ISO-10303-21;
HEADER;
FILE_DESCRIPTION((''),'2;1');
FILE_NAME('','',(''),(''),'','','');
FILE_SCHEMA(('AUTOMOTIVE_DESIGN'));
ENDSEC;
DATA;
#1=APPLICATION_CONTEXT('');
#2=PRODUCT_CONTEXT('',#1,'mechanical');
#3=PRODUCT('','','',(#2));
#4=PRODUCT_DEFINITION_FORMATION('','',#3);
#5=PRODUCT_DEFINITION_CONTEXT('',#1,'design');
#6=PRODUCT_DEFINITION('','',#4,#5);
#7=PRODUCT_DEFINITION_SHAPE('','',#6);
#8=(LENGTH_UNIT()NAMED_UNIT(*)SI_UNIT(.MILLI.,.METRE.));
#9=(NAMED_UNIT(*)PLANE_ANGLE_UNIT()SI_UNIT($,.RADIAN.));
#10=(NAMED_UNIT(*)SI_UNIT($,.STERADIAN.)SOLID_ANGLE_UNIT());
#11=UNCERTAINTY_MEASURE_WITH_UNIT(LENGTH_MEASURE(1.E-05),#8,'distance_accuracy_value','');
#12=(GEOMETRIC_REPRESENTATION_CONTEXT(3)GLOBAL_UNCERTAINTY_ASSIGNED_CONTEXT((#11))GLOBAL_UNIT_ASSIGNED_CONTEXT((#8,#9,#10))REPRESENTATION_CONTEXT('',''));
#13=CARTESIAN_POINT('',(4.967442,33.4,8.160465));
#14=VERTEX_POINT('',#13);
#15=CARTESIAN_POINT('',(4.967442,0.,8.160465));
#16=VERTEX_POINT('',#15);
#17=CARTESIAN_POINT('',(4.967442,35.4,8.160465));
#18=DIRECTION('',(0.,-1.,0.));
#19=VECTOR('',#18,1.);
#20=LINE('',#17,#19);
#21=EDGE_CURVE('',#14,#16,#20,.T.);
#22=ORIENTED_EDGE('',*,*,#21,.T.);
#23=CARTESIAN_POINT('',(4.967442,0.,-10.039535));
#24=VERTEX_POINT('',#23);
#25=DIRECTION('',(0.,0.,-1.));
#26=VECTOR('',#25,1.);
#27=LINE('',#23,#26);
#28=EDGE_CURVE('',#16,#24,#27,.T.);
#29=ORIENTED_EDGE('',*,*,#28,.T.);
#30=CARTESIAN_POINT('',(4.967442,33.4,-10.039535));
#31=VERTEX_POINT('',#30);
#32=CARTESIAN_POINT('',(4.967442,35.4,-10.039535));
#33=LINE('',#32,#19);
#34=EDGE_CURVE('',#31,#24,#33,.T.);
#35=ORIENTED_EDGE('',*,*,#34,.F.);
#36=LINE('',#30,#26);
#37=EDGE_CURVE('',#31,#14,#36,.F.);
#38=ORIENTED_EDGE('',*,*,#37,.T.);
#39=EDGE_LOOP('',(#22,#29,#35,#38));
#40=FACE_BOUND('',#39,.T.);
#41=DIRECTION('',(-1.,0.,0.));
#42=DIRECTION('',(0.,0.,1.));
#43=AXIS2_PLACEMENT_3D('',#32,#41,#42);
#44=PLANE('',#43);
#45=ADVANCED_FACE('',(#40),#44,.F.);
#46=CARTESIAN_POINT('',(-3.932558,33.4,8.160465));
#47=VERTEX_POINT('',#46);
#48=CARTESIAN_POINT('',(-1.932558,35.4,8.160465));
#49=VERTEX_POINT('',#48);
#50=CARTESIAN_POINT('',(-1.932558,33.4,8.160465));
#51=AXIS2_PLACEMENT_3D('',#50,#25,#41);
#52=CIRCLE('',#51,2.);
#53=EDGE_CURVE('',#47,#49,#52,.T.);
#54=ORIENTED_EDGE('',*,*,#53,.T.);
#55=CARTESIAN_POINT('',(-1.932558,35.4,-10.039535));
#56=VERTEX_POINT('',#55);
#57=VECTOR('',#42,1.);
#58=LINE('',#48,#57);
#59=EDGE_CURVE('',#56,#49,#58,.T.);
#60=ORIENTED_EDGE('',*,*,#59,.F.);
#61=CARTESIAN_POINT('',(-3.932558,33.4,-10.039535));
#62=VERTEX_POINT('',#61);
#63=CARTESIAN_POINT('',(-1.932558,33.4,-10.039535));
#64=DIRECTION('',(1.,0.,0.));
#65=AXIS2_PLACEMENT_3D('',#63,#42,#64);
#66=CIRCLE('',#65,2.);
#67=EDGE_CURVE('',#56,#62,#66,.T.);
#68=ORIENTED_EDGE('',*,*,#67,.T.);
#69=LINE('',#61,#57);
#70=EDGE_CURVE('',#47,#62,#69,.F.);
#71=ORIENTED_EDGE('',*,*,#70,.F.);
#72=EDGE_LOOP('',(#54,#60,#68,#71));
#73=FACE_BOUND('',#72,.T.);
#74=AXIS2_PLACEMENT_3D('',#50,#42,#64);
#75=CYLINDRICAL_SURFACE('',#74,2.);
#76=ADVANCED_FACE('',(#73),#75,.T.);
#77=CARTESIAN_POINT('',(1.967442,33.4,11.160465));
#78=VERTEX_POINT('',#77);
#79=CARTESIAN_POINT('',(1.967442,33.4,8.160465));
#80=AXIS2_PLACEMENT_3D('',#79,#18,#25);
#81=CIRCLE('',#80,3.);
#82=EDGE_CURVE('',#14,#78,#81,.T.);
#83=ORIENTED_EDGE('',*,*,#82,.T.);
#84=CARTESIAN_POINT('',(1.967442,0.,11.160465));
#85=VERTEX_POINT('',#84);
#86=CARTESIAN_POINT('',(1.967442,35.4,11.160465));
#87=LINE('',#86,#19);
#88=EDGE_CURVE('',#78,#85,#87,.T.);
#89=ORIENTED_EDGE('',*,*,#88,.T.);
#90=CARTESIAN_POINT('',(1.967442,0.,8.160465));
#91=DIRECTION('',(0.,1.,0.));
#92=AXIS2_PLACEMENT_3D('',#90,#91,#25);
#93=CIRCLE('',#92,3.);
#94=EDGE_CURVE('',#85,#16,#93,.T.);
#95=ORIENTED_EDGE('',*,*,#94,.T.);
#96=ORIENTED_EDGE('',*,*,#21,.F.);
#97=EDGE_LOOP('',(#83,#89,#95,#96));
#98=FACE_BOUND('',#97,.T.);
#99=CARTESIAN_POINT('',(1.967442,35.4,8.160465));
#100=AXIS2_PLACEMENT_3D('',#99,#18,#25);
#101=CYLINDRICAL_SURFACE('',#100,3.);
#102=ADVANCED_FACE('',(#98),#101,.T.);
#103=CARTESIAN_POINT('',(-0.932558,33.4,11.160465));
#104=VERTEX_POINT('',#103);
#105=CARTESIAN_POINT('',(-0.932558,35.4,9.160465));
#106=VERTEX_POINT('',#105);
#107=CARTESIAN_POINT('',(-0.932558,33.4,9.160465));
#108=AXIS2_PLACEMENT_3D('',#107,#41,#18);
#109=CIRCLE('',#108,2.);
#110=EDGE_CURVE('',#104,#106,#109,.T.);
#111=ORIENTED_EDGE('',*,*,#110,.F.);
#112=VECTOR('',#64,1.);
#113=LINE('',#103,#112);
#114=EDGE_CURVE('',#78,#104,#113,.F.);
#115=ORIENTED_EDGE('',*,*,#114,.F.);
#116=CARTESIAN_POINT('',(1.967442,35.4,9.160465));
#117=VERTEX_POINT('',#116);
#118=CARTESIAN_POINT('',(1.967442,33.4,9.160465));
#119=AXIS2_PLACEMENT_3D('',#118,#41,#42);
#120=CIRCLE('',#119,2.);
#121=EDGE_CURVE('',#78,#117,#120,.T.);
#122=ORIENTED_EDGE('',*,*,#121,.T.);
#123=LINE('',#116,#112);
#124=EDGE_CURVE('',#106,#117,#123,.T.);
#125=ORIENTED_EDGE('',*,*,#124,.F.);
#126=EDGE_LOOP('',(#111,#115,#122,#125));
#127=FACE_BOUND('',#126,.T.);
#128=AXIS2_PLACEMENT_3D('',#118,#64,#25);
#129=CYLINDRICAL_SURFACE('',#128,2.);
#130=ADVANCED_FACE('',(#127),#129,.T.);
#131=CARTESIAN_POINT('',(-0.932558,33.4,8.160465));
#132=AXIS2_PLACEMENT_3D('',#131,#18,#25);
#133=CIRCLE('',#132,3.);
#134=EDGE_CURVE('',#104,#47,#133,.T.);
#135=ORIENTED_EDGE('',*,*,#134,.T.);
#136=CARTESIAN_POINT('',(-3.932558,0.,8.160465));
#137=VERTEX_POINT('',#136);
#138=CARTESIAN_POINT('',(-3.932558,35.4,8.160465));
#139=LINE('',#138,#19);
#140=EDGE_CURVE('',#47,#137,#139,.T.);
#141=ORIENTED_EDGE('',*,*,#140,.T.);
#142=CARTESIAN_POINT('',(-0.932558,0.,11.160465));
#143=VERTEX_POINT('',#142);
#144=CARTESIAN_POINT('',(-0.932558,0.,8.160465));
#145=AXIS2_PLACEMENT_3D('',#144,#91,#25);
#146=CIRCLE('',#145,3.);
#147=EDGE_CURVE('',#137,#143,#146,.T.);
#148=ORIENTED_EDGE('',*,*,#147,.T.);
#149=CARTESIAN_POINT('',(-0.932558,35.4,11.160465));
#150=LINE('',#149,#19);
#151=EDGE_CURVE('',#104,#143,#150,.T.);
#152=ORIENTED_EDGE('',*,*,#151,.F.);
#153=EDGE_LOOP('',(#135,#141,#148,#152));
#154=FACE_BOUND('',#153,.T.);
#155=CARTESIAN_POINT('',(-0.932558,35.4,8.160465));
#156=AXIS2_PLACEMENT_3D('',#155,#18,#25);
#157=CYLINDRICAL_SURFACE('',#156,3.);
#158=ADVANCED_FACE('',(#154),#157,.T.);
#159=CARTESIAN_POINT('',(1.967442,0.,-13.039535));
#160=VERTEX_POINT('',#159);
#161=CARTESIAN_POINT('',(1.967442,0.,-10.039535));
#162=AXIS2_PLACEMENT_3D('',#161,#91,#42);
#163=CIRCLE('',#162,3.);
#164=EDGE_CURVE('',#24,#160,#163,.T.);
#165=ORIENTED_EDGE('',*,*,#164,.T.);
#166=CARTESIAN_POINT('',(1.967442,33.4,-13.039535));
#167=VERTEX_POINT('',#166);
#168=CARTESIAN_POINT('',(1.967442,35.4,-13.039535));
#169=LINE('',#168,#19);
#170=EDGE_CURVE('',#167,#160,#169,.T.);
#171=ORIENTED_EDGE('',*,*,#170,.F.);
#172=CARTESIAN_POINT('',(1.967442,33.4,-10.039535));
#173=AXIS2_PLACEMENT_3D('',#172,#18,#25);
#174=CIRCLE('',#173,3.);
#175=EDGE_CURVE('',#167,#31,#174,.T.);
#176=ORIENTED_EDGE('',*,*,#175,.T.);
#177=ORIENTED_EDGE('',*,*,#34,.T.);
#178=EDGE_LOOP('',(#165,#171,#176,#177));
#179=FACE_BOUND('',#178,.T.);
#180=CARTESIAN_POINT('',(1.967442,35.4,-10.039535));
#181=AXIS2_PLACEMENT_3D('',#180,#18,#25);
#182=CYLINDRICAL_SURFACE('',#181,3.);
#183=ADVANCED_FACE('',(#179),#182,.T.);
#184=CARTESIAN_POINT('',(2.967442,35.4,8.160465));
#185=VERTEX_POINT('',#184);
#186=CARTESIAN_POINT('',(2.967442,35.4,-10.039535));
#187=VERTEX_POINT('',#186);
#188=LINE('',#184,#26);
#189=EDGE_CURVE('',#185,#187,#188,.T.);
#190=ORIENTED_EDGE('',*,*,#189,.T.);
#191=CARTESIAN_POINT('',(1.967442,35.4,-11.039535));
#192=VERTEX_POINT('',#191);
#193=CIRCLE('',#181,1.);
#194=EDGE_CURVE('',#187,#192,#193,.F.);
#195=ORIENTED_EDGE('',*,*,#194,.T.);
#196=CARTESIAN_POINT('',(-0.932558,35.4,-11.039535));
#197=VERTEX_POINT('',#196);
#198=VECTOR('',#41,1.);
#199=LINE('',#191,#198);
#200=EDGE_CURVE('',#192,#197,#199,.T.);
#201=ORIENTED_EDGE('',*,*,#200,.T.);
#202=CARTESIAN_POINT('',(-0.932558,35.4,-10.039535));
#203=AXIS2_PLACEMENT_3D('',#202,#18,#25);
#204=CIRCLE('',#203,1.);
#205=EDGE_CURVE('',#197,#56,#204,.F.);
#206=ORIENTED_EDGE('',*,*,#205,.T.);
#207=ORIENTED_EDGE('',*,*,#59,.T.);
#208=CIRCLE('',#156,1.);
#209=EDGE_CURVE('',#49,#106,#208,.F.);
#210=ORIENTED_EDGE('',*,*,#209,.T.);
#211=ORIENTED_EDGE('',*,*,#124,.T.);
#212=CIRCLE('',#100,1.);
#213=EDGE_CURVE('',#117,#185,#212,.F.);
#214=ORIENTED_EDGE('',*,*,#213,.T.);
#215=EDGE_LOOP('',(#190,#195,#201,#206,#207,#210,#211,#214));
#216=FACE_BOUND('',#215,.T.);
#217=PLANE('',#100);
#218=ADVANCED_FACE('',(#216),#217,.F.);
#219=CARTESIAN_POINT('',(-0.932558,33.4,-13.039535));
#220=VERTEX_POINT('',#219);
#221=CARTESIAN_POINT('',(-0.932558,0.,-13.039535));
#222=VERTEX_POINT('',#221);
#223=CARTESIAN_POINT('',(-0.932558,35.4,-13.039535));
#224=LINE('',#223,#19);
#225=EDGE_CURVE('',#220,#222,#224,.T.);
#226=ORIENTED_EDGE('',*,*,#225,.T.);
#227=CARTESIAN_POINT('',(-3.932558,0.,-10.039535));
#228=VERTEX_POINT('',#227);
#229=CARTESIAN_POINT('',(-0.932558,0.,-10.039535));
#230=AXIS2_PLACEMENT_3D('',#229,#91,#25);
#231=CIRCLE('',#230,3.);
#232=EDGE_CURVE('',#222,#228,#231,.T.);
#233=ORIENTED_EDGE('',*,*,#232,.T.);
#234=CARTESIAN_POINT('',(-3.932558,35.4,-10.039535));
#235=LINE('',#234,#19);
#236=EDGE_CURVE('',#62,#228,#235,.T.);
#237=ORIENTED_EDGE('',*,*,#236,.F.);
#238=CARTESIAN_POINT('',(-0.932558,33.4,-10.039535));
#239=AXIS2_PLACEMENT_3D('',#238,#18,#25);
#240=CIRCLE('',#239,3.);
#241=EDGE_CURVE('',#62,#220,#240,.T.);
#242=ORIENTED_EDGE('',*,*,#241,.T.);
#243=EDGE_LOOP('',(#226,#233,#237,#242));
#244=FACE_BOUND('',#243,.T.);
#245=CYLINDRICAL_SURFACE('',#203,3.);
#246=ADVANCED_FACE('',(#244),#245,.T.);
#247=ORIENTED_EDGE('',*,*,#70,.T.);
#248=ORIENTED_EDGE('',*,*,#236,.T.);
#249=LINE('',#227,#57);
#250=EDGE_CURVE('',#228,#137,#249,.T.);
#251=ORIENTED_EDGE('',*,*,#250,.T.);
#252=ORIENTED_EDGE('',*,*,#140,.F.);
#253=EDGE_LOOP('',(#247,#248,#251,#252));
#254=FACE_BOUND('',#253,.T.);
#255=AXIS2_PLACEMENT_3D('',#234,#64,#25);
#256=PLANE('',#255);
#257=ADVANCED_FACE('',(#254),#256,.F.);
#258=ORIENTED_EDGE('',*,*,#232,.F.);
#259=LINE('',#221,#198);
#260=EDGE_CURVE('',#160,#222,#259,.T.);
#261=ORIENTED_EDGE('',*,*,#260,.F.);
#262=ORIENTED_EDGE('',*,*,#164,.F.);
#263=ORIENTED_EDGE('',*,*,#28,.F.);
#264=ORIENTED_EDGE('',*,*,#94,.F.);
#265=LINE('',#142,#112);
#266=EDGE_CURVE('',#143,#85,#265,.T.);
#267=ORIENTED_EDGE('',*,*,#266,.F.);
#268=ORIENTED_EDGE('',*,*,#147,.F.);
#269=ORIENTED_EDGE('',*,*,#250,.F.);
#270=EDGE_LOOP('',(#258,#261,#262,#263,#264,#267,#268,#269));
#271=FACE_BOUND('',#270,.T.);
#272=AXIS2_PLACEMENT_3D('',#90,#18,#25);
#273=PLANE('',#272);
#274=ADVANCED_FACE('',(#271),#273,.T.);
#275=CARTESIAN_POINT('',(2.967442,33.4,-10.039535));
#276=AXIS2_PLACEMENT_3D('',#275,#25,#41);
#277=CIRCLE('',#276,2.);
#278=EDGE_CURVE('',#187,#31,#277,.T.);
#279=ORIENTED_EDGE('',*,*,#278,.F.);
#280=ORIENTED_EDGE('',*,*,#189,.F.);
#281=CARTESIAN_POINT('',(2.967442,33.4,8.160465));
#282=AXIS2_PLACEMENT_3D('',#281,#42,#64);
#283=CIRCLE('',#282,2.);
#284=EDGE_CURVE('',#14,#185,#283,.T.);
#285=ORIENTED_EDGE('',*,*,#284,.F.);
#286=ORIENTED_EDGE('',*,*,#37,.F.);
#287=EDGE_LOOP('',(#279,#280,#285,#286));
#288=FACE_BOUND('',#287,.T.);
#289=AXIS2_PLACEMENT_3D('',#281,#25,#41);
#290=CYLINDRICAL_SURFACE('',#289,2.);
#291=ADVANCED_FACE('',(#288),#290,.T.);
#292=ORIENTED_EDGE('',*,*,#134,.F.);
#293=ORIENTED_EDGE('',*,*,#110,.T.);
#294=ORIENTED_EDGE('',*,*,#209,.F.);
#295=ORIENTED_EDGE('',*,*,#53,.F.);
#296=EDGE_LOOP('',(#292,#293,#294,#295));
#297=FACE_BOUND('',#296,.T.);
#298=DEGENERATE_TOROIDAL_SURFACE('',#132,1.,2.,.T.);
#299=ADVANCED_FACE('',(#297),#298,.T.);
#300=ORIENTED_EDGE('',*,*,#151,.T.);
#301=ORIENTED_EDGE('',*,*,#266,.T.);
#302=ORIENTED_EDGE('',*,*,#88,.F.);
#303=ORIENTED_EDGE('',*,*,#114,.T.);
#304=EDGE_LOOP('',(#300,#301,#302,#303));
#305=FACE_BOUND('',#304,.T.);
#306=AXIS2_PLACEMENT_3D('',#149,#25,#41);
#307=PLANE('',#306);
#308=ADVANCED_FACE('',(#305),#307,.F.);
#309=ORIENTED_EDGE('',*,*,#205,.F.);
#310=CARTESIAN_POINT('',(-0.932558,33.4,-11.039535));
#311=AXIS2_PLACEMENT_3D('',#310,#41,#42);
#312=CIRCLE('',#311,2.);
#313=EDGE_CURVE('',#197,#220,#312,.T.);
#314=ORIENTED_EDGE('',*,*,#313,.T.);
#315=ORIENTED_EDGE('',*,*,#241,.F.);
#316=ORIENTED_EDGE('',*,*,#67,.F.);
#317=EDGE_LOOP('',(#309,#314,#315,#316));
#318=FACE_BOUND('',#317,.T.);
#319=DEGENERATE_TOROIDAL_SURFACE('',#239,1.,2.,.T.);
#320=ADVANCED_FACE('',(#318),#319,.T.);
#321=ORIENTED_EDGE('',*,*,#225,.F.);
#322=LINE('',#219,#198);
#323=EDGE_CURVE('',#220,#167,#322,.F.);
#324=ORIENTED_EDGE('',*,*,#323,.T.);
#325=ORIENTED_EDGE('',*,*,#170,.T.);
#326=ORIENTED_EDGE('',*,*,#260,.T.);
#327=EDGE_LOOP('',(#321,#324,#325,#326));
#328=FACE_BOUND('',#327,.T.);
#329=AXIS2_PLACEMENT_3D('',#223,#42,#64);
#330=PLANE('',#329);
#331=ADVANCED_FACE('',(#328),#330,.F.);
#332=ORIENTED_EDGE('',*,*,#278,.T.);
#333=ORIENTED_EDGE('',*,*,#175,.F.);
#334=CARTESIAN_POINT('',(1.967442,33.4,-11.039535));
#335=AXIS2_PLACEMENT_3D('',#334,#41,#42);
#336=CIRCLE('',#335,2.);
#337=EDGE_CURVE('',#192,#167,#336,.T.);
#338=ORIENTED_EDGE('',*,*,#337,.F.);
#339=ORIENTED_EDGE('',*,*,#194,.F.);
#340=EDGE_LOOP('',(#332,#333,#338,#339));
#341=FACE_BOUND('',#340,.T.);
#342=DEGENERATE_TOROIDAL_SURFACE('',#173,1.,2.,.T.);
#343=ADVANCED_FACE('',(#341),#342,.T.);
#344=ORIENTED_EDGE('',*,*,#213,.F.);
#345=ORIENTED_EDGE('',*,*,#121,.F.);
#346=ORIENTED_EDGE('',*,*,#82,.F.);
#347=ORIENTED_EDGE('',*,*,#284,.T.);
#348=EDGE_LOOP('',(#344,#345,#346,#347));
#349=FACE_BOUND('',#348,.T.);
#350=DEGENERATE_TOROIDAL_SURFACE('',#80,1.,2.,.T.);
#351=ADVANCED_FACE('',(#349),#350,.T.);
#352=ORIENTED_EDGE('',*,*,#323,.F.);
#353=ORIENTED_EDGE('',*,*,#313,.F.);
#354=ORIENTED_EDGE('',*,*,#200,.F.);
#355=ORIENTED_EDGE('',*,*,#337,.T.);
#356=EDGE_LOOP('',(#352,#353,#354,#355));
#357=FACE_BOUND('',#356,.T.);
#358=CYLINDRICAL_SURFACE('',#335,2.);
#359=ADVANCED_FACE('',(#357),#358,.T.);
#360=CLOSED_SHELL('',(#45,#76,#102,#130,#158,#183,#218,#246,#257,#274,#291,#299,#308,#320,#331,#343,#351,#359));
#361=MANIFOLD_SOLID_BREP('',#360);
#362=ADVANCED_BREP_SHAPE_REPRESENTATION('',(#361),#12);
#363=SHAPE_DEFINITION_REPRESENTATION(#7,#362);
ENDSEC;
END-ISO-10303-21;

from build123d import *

# Parameters (mm, degrees)
BOSS_EXTRUDE1_DEPTH = 35.4
FILLET1_R           = 2


with BuildPart() as part:
    # Sketch1 → Boss-Extrude1 (new body)
    with BuildSketch(Plane(origin=(0, 0, 0), x_dir=(1, 0, 0), z_dir=(0, 1, 0))):
        with BuildLine():
            Line((-0.93255814, 13.039534884), (1.96744186, 13.039534884))
            ThreePointArc((1.96744186, 13.039534884), (4.088762204, 12.160855227), (4.96744186, 10.039534884))
            Line((4.96744186, 10.039534884), (4.96744186, -8.160465116))
            ThreePointArc((4.96744186, -8.160465116), (4.088762204, -10.28178546), (1.96744186, -11.160465116))
            Line((1.96744186, -11.160465116), (-0.93255814, -11.160465116))
            ThreePointArc((-0.93255814, -11.160465116), (-3.053878483, -10.28178546), (-3.93255814, -8.160465116))
            Line((-3.93255814, -8.160465116), (-3.93255814, 10.039534884))
            ThreePointArc((-3.93255814, 10.039534884), (-3.053878483, 12.160855227), (-0.93255814, 13.039534884))
        make_face()
    extrude(amount=BOSS_EXTRUDE1_DEPTH)

    # Fillet1
    fillet1_edges = [part.edges().sort_by_distance(p)[0] for p in [
        (4.088762204, 35.4, -12.160855227),
        (0.51744186, 35.4, -13.039534884),
        (-3.053878483, 35.4, -12.160855227),
        (-3.93255814, 35.4, -0.939534884),
        (-3.053878483, 35.4, 10.28178546),
        (0.51744186, 35.4, 11.160465116),
        (4.088762204, 35.4, 10.28178546),
        (4.96744186, 35.4, -0.939534884),
    ]]
    fillet(fillet1_edges, radius=FILLET1_R)


solid = part.part
